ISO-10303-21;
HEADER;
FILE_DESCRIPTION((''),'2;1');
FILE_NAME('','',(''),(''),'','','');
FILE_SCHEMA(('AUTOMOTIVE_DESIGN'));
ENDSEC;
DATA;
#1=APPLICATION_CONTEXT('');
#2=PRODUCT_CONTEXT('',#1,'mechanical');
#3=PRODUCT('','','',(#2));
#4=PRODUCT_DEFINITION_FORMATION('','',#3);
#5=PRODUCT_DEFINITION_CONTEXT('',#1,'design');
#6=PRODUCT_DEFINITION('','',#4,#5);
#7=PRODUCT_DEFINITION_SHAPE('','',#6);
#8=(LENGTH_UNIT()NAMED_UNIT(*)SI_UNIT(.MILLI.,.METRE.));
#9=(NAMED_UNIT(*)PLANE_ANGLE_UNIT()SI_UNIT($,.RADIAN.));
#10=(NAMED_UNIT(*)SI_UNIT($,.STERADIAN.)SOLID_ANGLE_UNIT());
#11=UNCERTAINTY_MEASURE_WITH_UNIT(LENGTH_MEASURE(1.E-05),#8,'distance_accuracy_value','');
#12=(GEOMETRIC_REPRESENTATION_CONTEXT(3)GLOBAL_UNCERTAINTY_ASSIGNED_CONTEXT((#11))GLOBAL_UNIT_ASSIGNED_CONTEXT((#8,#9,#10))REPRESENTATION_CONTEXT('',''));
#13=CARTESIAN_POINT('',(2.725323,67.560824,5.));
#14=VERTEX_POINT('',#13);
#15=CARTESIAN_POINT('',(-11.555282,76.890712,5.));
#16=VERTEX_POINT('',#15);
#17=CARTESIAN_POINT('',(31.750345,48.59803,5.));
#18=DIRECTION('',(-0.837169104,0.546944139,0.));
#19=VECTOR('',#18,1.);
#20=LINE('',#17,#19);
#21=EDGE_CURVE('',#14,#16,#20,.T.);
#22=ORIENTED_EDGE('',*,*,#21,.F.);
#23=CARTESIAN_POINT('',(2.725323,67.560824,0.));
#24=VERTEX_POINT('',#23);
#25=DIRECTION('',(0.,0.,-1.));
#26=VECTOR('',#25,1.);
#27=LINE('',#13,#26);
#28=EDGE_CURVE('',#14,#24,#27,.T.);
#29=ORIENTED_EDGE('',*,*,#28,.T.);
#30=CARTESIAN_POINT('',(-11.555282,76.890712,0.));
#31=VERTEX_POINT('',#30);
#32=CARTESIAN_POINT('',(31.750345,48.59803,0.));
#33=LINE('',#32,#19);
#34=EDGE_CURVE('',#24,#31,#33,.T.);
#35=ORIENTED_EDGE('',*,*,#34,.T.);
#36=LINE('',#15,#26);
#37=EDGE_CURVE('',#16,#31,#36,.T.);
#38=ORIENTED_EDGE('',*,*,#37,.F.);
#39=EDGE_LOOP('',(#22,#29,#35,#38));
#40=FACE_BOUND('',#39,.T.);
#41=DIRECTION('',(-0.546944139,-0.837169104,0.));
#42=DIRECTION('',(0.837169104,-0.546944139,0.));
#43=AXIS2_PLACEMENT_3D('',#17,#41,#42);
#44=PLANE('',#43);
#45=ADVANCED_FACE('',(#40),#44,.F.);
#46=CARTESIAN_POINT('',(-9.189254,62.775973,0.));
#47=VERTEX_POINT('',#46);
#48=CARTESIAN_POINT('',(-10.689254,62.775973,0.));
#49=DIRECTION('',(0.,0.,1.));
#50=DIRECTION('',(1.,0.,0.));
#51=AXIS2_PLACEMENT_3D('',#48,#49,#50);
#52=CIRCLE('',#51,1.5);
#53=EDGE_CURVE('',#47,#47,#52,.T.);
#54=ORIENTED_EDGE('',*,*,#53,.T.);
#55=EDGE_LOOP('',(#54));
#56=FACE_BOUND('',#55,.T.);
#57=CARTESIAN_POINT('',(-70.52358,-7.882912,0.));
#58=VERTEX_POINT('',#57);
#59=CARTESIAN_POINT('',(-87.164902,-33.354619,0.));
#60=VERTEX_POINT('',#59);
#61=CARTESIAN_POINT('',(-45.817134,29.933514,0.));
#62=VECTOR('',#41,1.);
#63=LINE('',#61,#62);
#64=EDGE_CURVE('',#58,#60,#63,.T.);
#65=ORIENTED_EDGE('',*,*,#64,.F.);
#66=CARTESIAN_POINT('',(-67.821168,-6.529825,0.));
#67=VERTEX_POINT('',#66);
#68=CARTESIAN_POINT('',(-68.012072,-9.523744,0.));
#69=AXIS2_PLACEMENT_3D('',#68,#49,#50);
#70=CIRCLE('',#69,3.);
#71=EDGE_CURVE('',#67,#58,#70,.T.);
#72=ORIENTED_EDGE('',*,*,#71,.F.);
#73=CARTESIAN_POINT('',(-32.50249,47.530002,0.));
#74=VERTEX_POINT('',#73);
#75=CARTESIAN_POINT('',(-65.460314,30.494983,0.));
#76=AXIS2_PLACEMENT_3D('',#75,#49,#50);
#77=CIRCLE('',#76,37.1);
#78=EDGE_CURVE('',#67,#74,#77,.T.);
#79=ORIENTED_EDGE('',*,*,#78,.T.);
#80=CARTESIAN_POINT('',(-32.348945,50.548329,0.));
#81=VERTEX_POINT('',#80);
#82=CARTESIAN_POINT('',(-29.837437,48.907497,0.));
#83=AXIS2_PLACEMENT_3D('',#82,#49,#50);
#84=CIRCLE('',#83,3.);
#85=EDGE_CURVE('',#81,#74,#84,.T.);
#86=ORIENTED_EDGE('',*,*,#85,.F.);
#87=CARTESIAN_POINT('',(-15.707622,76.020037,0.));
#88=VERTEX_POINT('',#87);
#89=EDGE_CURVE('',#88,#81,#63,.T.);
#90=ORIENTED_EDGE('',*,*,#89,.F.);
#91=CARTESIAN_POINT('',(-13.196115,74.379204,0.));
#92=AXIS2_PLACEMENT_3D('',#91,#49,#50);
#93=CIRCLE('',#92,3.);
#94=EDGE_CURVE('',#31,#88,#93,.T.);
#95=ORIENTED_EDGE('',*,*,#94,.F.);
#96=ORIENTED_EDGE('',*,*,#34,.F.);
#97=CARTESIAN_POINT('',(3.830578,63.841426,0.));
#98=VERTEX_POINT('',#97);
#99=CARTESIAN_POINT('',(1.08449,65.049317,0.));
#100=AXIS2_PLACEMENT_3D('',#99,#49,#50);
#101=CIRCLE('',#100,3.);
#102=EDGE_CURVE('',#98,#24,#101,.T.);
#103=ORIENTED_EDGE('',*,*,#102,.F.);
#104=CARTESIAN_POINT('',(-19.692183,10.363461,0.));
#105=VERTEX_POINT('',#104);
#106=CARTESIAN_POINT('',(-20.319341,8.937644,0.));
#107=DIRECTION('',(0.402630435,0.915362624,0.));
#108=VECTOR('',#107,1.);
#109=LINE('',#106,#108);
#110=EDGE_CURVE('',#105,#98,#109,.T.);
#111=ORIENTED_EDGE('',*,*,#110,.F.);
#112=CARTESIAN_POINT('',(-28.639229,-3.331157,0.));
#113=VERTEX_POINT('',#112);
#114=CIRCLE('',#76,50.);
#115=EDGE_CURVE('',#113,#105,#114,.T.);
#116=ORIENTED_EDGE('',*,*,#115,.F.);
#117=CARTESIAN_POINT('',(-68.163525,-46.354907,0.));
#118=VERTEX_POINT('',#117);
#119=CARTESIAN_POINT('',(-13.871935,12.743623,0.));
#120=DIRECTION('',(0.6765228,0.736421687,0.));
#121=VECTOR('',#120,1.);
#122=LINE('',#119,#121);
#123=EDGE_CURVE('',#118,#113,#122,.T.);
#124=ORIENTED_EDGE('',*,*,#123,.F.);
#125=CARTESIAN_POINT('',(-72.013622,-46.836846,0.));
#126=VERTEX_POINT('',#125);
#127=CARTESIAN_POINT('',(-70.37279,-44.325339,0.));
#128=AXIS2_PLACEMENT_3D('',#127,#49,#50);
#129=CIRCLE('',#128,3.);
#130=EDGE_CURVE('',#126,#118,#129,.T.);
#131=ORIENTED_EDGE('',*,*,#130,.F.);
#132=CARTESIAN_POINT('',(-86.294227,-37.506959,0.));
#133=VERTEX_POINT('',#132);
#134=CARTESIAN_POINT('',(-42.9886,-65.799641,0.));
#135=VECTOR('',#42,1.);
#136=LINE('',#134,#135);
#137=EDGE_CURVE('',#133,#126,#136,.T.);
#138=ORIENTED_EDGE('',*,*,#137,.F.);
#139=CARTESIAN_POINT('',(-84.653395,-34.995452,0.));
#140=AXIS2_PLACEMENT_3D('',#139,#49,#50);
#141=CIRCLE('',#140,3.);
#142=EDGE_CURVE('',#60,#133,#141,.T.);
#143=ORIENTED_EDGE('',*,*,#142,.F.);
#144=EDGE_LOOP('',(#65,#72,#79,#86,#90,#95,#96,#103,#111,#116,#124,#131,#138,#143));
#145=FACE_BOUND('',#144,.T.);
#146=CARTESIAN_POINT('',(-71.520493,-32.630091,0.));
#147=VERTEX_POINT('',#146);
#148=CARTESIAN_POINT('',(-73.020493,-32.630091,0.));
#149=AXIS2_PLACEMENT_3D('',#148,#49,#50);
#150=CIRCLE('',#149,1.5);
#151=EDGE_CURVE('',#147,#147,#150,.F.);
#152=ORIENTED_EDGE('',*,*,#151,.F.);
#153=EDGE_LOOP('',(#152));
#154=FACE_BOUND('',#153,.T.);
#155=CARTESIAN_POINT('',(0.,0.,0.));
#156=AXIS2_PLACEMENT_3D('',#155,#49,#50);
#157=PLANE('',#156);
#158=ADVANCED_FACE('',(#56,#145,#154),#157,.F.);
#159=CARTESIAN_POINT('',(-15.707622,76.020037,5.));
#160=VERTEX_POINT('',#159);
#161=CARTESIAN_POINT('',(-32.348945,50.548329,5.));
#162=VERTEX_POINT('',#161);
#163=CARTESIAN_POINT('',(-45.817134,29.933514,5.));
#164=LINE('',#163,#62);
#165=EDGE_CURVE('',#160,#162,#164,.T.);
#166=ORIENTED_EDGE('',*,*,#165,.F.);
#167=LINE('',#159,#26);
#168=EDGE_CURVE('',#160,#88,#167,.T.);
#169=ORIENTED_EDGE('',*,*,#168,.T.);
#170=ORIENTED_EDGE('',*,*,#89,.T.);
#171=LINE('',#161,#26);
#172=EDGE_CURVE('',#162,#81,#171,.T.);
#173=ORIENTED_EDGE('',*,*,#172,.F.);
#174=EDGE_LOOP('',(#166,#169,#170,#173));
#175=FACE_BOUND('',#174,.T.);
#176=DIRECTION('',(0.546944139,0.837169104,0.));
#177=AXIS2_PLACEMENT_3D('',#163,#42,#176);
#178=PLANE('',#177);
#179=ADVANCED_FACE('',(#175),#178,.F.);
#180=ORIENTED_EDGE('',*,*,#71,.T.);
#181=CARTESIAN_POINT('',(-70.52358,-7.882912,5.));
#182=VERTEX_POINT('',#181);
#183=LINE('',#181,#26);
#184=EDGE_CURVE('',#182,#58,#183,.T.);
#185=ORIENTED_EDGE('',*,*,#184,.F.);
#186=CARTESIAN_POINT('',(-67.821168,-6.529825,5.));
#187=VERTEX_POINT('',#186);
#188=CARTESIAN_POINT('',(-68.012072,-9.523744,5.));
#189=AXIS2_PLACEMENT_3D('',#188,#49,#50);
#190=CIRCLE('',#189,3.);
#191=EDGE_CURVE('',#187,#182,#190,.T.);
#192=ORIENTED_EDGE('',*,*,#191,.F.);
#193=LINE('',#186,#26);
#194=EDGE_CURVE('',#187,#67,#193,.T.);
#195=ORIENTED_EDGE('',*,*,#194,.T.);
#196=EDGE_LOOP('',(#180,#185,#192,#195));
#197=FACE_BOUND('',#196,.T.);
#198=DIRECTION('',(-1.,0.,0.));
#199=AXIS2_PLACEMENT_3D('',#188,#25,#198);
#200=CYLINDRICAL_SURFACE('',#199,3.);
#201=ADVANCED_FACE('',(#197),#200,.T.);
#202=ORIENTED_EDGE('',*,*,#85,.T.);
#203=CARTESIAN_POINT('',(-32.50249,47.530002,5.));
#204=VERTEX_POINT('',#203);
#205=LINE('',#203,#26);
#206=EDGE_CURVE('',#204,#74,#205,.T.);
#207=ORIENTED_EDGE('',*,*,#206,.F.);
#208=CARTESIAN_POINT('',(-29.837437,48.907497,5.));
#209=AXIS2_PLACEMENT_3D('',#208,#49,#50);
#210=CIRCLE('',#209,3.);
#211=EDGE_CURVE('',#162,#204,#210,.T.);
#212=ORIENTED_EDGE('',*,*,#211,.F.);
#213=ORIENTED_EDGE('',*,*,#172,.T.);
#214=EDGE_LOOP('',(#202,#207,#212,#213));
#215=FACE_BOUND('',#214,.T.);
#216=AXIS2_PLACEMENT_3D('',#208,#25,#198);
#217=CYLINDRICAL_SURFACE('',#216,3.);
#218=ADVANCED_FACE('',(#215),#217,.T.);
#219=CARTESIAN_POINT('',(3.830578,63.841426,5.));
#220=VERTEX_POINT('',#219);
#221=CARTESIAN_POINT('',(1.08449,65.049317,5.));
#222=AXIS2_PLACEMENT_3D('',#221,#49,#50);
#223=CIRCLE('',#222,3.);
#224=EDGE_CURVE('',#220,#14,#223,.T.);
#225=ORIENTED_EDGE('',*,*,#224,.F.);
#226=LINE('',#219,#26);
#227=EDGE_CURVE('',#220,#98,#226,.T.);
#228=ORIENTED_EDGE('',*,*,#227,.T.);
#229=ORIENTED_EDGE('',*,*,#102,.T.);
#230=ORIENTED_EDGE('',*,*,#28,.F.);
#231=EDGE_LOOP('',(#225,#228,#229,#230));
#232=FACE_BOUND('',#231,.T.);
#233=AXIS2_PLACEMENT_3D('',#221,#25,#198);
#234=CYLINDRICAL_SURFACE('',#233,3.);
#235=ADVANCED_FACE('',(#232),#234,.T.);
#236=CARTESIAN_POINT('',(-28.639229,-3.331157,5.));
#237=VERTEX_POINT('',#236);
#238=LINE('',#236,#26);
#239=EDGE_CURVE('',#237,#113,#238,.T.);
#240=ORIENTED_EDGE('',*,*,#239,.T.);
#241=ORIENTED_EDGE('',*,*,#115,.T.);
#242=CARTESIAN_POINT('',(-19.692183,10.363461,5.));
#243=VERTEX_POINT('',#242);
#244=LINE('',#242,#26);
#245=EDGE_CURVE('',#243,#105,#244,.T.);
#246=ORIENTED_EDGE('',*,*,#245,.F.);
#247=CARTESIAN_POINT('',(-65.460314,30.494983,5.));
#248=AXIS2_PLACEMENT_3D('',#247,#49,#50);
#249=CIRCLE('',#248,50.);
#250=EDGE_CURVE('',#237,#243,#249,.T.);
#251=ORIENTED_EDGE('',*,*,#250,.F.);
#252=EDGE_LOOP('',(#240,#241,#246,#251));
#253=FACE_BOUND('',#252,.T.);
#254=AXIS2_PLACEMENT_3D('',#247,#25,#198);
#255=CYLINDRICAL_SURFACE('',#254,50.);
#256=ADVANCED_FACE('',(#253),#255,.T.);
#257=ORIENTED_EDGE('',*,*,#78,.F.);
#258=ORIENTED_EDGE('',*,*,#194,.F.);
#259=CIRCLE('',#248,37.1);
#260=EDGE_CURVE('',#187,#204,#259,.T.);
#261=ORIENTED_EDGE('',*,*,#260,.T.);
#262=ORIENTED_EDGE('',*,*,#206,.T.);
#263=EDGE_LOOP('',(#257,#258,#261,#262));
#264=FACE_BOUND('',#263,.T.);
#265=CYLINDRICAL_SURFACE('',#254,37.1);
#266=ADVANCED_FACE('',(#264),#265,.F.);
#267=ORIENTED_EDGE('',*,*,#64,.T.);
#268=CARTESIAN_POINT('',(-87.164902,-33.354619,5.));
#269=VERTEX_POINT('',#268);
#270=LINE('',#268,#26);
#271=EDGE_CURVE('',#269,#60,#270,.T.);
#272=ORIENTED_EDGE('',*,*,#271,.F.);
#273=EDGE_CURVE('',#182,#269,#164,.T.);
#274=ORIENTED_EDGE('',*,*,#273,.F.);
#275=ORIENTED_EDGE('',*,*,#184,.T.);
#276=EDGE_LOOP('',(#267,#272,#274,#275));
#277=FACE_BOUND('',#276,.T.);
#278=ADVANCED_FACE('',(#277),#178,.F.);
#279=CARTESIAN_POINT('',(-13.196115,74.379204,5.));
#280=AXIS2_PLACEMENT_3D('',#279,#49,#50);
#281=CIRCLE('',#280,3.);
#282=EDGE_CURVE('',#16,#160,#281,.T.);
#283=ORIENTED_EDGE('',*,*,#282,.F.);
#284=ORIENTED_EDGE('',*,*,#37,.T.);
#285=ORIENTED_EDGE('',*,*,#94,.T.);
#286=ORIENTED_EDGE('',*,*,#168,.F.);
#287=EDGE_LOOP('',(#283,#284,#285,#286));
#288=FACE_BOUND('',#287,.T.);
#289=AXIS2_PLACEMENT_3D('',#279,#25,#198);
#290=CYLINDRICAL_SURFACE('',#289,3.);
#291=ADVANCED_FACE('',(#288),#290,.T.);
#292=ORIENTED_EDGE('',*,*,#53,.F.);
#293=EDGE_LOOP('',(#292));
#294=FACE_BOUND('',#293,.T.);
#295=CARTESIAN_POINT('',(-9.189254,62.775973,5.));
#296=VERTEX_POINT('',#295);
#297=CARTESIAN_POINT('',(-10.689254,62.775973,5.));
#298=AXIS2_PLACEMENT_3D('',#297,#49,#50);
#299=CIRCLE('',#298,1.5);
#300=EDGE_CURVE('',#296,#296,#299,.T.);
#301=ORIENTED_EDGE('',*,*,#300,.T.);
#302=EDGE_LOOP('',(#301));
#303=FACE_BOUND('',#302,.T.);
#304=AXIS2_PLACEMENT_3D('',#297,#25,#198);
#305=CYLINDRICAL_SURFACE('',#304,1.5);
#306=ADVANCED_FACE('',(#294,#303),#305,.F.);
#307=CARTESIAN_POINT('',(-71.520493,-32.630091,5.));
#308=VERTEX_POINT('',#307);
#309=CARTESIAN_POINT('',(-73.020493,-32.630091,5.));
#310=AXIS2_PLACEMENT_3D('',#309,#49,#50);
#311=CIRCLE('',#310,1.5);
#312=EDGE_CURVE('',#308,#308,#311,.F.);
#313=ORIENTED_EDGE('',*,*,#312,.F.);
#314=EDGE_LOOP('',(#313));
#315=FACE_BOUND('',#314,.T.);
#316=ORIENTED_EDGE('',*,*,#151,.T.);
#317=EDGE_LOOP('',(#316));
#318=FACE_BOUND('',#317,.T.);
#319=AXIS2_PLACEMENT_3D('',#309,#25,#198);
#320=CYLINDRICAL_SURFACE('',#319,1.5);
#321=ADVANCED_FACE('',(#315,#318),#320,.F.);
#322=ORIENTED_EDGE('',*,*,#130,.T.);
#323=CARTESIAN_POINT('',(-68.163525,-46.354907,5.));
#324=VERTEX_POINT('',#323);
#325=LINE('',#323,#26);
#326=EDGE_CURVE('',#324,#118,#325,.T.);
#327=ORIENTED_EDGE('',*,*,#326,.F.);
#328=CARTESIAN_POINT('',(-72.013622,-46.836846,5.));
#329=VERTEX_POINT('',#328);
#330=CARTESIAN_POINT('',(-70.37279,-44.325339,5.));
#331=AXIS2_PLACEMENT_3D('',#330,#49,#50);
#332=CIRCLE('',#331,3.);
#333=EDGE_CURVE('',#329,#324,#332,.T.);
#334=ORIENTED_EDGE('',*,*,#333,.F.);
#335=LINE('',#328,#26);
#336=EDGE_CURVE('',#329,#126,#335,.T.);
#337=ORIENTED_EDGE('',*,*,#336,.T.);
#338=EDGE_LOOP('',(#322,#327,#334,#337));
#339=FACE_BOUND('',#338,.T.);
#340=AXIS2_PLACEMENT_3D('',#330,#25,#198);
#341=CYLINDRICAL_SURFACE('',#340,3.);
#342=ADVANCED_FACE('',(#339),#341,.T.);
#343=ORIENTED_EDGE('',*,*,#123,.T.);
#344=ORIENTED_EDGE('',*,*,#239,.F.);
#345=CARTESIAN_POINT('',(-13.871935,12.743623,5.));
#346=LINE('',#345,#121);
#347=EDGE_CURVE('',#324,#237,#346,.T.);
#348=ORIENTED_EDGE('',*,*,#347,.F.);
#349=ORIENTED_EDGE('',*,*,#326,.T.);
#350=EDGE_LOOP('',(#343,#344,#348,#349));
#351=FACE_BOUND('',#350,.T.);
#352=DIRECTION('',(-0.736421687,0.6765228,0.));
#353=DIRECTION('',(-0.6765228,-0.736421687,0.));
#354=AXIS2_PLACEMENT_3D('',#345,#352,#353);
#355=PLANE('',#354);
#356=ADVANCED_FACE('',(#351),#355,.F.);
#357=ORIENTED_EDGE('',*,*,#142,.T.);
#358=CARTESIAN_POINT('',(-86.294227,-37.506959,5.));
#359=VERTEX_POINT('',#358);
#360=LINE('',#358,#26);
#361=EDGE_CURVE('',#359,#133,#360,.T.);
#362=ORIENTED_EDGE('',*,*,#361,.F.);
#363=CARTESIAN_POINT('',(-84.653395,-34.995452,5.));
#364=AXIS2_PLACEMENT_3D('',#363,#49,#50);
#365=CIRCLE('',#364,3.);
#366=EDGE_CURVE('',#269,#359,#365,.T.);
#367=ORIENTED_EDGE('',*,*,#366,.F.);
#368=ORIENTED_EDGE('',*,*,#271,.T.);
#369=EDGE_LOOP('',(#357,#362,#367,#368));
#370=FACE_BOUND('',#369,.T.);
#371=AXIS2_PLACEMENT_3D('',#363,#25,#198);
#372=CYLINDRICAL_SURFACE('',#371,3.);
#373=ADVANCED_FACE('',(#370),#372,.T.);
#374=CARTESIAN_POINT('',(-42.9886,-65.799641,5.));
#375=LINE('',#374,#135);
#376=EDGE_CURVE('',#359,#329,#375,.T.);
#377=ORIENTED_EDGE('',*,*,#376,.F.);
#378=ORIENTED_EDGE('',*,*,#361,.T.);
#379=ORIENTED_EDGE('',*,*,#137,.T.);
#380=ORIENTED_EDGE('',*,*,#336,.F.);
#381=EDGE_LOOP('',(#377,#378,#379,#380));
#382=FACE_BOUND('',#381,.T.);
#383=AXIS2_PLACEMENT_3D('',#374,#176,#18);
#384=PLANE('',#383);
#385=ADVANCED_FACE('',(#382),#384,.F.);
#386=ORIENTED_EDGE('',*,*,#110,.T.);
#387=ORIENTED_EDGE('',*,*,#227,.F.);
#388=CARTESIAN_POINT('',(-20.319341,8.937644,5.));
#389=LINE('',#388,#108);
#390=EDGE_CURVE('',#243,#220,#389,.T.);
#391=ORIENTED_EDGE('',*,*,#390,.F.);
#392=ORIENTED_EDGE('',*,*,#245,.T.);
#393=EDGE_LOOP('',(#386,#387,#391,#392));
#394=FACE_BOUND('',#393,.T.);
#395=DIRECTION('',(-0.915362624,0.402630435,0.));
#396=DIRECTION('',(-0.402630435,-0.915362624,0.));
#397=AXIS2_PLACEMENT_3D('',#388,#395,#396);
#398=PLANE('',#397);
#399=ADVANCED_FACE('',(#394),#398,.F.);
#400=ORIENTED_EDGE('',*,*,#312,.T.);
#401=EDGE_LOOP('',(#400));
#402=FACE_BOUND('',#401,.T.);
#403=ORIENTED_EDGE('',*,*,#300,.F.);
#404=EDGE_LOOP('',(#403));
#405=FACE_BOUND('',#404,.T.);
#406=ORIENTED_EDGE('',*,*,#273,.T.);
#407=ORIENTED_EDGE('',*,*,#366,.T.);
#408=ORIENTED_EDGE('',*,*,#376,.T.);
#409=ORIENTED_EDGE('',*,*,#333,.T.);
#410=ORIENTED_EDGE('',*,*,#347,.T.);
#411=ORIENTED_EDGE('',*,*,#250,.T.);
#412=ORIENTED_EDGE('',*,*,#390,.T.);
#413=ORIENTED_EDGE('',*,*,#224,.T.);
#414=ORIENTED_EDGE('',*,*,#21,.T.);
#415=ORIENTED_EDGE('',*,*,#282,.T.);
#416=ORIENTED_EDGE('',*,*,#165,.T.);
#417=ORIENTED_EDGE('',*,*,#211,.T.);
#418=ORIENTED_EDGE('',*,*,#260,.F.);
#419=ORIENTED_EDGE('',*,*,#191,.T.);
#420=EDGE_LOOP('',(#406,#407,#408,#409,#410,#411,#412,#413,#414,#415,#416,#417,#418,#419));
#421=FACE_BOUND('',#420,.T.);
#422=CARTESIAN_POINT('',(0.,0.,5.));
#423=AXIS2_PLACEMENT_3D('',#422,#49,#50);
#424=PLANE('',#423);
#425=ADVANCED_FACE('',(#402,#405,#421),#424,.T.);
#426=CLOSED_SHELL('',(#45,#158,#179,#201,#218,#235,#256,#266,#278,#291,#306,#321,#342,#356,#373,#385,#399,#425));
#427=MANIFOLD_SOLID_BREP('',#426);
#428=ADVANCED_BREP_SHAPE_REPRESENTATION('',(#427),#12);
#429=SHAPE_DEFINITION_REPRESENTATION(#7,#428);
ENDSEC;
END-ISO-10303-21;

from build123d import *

# Parameters (mm, degrees)
SKETCH1_R           = 1.5
BOSS_EXTRUDE1_DEPTH = 5


with BuildPart() as part:
    # Sketch1 → Boss-Extrude1 (new body)
    # profile 1 of 2: a face of its own
    with BuildSketch(Plane.XY):
        with BuildLine():
            ThreePointArc((-72.013621978, -46.836846361), (-70.000170189, -47.302108237), (-68.163524501, -46.354907448))
            Line((-68.163524501, -46.354907448), (-28.639229463, -3.331157144))
            ThreePointArc((-28.639229463, -3.331157144), (-25.987391066, -0.195217043), (-23.601858593, 3.14777593))
            Line((-23.601858593, 3.14777593), (-34.401340039, 10.203355318))
            ThreePointArc((-34.401340039, 10.203355318), (-48.850216004, -2.67902279), (-67.821167684, -6.529824621))
            ThreePointArc((-67.821167684, -6.529824621), (-69.355206904, -6.841210213), (-70.523579623, -7.882911947))
            Line((-70.523579623, -7.882911947), (-87.164902157, -33.35461938))
            ThreePointArc((-87.164902157, -33.35461938), (-87.589542424, -35.611111919), (-86.29422726, -37.506959108))
            Line((-86.29422726, -37.506959108), (-72.013621978, -46.836846361))
        make_face()
        with Locations((-73.020492871, -32.63009114)):
            Circle(SKETCH1_R, mode=Mode.SUBTRACT)
    # profile 2 of 2: a face of its own
    with BuildSketch(Plane.XY):
        with BuildLine():
            Line((-34.401340039, 10.203355318), (-23.601858593, 3.14777593))
            ThreePointArc((-23.601858593, 3.14777593), (-21.49872615, 6.675268117), (-19.692182619, 10.363461126))
            Line((-19.692182619, 10.363461126), (3.830578313, 63.841425809))
            ThreePointArc((3.830578313, 63.841425809), (3.960207556, 65.903864408), (2.725322858, 67.560824426))
            Line((2.725322858, 67.560824426), (-11.555282424, 76.890711678))
            ThreePointArc((-11.555282424, 76.890711678), (-13.811774964, 77.315351945), (-15.707622153, 76.020036781))
            Line((-15.707622153, 76.020036781), (-32.348944687, 50.548329348))
            ThreePointArc((-32.348944687, 50.548329348), (-32.833563081, 49.059913302), (-32.502490474, 47.530002114))
            ThreePointArc((-32.502490474, 47.530002114), (-28.408225903, 28.610100423), (-34.401340039, 10.203355318))
        make_face()
        with Locations((-10.689254116, 62.775972546)):
            Circle(SKETCH1_R, mode=Mode.SUBTRACT)
    extrude(amount=BOSS_EXTRUDE1_DEPTH)


solid = part.part
